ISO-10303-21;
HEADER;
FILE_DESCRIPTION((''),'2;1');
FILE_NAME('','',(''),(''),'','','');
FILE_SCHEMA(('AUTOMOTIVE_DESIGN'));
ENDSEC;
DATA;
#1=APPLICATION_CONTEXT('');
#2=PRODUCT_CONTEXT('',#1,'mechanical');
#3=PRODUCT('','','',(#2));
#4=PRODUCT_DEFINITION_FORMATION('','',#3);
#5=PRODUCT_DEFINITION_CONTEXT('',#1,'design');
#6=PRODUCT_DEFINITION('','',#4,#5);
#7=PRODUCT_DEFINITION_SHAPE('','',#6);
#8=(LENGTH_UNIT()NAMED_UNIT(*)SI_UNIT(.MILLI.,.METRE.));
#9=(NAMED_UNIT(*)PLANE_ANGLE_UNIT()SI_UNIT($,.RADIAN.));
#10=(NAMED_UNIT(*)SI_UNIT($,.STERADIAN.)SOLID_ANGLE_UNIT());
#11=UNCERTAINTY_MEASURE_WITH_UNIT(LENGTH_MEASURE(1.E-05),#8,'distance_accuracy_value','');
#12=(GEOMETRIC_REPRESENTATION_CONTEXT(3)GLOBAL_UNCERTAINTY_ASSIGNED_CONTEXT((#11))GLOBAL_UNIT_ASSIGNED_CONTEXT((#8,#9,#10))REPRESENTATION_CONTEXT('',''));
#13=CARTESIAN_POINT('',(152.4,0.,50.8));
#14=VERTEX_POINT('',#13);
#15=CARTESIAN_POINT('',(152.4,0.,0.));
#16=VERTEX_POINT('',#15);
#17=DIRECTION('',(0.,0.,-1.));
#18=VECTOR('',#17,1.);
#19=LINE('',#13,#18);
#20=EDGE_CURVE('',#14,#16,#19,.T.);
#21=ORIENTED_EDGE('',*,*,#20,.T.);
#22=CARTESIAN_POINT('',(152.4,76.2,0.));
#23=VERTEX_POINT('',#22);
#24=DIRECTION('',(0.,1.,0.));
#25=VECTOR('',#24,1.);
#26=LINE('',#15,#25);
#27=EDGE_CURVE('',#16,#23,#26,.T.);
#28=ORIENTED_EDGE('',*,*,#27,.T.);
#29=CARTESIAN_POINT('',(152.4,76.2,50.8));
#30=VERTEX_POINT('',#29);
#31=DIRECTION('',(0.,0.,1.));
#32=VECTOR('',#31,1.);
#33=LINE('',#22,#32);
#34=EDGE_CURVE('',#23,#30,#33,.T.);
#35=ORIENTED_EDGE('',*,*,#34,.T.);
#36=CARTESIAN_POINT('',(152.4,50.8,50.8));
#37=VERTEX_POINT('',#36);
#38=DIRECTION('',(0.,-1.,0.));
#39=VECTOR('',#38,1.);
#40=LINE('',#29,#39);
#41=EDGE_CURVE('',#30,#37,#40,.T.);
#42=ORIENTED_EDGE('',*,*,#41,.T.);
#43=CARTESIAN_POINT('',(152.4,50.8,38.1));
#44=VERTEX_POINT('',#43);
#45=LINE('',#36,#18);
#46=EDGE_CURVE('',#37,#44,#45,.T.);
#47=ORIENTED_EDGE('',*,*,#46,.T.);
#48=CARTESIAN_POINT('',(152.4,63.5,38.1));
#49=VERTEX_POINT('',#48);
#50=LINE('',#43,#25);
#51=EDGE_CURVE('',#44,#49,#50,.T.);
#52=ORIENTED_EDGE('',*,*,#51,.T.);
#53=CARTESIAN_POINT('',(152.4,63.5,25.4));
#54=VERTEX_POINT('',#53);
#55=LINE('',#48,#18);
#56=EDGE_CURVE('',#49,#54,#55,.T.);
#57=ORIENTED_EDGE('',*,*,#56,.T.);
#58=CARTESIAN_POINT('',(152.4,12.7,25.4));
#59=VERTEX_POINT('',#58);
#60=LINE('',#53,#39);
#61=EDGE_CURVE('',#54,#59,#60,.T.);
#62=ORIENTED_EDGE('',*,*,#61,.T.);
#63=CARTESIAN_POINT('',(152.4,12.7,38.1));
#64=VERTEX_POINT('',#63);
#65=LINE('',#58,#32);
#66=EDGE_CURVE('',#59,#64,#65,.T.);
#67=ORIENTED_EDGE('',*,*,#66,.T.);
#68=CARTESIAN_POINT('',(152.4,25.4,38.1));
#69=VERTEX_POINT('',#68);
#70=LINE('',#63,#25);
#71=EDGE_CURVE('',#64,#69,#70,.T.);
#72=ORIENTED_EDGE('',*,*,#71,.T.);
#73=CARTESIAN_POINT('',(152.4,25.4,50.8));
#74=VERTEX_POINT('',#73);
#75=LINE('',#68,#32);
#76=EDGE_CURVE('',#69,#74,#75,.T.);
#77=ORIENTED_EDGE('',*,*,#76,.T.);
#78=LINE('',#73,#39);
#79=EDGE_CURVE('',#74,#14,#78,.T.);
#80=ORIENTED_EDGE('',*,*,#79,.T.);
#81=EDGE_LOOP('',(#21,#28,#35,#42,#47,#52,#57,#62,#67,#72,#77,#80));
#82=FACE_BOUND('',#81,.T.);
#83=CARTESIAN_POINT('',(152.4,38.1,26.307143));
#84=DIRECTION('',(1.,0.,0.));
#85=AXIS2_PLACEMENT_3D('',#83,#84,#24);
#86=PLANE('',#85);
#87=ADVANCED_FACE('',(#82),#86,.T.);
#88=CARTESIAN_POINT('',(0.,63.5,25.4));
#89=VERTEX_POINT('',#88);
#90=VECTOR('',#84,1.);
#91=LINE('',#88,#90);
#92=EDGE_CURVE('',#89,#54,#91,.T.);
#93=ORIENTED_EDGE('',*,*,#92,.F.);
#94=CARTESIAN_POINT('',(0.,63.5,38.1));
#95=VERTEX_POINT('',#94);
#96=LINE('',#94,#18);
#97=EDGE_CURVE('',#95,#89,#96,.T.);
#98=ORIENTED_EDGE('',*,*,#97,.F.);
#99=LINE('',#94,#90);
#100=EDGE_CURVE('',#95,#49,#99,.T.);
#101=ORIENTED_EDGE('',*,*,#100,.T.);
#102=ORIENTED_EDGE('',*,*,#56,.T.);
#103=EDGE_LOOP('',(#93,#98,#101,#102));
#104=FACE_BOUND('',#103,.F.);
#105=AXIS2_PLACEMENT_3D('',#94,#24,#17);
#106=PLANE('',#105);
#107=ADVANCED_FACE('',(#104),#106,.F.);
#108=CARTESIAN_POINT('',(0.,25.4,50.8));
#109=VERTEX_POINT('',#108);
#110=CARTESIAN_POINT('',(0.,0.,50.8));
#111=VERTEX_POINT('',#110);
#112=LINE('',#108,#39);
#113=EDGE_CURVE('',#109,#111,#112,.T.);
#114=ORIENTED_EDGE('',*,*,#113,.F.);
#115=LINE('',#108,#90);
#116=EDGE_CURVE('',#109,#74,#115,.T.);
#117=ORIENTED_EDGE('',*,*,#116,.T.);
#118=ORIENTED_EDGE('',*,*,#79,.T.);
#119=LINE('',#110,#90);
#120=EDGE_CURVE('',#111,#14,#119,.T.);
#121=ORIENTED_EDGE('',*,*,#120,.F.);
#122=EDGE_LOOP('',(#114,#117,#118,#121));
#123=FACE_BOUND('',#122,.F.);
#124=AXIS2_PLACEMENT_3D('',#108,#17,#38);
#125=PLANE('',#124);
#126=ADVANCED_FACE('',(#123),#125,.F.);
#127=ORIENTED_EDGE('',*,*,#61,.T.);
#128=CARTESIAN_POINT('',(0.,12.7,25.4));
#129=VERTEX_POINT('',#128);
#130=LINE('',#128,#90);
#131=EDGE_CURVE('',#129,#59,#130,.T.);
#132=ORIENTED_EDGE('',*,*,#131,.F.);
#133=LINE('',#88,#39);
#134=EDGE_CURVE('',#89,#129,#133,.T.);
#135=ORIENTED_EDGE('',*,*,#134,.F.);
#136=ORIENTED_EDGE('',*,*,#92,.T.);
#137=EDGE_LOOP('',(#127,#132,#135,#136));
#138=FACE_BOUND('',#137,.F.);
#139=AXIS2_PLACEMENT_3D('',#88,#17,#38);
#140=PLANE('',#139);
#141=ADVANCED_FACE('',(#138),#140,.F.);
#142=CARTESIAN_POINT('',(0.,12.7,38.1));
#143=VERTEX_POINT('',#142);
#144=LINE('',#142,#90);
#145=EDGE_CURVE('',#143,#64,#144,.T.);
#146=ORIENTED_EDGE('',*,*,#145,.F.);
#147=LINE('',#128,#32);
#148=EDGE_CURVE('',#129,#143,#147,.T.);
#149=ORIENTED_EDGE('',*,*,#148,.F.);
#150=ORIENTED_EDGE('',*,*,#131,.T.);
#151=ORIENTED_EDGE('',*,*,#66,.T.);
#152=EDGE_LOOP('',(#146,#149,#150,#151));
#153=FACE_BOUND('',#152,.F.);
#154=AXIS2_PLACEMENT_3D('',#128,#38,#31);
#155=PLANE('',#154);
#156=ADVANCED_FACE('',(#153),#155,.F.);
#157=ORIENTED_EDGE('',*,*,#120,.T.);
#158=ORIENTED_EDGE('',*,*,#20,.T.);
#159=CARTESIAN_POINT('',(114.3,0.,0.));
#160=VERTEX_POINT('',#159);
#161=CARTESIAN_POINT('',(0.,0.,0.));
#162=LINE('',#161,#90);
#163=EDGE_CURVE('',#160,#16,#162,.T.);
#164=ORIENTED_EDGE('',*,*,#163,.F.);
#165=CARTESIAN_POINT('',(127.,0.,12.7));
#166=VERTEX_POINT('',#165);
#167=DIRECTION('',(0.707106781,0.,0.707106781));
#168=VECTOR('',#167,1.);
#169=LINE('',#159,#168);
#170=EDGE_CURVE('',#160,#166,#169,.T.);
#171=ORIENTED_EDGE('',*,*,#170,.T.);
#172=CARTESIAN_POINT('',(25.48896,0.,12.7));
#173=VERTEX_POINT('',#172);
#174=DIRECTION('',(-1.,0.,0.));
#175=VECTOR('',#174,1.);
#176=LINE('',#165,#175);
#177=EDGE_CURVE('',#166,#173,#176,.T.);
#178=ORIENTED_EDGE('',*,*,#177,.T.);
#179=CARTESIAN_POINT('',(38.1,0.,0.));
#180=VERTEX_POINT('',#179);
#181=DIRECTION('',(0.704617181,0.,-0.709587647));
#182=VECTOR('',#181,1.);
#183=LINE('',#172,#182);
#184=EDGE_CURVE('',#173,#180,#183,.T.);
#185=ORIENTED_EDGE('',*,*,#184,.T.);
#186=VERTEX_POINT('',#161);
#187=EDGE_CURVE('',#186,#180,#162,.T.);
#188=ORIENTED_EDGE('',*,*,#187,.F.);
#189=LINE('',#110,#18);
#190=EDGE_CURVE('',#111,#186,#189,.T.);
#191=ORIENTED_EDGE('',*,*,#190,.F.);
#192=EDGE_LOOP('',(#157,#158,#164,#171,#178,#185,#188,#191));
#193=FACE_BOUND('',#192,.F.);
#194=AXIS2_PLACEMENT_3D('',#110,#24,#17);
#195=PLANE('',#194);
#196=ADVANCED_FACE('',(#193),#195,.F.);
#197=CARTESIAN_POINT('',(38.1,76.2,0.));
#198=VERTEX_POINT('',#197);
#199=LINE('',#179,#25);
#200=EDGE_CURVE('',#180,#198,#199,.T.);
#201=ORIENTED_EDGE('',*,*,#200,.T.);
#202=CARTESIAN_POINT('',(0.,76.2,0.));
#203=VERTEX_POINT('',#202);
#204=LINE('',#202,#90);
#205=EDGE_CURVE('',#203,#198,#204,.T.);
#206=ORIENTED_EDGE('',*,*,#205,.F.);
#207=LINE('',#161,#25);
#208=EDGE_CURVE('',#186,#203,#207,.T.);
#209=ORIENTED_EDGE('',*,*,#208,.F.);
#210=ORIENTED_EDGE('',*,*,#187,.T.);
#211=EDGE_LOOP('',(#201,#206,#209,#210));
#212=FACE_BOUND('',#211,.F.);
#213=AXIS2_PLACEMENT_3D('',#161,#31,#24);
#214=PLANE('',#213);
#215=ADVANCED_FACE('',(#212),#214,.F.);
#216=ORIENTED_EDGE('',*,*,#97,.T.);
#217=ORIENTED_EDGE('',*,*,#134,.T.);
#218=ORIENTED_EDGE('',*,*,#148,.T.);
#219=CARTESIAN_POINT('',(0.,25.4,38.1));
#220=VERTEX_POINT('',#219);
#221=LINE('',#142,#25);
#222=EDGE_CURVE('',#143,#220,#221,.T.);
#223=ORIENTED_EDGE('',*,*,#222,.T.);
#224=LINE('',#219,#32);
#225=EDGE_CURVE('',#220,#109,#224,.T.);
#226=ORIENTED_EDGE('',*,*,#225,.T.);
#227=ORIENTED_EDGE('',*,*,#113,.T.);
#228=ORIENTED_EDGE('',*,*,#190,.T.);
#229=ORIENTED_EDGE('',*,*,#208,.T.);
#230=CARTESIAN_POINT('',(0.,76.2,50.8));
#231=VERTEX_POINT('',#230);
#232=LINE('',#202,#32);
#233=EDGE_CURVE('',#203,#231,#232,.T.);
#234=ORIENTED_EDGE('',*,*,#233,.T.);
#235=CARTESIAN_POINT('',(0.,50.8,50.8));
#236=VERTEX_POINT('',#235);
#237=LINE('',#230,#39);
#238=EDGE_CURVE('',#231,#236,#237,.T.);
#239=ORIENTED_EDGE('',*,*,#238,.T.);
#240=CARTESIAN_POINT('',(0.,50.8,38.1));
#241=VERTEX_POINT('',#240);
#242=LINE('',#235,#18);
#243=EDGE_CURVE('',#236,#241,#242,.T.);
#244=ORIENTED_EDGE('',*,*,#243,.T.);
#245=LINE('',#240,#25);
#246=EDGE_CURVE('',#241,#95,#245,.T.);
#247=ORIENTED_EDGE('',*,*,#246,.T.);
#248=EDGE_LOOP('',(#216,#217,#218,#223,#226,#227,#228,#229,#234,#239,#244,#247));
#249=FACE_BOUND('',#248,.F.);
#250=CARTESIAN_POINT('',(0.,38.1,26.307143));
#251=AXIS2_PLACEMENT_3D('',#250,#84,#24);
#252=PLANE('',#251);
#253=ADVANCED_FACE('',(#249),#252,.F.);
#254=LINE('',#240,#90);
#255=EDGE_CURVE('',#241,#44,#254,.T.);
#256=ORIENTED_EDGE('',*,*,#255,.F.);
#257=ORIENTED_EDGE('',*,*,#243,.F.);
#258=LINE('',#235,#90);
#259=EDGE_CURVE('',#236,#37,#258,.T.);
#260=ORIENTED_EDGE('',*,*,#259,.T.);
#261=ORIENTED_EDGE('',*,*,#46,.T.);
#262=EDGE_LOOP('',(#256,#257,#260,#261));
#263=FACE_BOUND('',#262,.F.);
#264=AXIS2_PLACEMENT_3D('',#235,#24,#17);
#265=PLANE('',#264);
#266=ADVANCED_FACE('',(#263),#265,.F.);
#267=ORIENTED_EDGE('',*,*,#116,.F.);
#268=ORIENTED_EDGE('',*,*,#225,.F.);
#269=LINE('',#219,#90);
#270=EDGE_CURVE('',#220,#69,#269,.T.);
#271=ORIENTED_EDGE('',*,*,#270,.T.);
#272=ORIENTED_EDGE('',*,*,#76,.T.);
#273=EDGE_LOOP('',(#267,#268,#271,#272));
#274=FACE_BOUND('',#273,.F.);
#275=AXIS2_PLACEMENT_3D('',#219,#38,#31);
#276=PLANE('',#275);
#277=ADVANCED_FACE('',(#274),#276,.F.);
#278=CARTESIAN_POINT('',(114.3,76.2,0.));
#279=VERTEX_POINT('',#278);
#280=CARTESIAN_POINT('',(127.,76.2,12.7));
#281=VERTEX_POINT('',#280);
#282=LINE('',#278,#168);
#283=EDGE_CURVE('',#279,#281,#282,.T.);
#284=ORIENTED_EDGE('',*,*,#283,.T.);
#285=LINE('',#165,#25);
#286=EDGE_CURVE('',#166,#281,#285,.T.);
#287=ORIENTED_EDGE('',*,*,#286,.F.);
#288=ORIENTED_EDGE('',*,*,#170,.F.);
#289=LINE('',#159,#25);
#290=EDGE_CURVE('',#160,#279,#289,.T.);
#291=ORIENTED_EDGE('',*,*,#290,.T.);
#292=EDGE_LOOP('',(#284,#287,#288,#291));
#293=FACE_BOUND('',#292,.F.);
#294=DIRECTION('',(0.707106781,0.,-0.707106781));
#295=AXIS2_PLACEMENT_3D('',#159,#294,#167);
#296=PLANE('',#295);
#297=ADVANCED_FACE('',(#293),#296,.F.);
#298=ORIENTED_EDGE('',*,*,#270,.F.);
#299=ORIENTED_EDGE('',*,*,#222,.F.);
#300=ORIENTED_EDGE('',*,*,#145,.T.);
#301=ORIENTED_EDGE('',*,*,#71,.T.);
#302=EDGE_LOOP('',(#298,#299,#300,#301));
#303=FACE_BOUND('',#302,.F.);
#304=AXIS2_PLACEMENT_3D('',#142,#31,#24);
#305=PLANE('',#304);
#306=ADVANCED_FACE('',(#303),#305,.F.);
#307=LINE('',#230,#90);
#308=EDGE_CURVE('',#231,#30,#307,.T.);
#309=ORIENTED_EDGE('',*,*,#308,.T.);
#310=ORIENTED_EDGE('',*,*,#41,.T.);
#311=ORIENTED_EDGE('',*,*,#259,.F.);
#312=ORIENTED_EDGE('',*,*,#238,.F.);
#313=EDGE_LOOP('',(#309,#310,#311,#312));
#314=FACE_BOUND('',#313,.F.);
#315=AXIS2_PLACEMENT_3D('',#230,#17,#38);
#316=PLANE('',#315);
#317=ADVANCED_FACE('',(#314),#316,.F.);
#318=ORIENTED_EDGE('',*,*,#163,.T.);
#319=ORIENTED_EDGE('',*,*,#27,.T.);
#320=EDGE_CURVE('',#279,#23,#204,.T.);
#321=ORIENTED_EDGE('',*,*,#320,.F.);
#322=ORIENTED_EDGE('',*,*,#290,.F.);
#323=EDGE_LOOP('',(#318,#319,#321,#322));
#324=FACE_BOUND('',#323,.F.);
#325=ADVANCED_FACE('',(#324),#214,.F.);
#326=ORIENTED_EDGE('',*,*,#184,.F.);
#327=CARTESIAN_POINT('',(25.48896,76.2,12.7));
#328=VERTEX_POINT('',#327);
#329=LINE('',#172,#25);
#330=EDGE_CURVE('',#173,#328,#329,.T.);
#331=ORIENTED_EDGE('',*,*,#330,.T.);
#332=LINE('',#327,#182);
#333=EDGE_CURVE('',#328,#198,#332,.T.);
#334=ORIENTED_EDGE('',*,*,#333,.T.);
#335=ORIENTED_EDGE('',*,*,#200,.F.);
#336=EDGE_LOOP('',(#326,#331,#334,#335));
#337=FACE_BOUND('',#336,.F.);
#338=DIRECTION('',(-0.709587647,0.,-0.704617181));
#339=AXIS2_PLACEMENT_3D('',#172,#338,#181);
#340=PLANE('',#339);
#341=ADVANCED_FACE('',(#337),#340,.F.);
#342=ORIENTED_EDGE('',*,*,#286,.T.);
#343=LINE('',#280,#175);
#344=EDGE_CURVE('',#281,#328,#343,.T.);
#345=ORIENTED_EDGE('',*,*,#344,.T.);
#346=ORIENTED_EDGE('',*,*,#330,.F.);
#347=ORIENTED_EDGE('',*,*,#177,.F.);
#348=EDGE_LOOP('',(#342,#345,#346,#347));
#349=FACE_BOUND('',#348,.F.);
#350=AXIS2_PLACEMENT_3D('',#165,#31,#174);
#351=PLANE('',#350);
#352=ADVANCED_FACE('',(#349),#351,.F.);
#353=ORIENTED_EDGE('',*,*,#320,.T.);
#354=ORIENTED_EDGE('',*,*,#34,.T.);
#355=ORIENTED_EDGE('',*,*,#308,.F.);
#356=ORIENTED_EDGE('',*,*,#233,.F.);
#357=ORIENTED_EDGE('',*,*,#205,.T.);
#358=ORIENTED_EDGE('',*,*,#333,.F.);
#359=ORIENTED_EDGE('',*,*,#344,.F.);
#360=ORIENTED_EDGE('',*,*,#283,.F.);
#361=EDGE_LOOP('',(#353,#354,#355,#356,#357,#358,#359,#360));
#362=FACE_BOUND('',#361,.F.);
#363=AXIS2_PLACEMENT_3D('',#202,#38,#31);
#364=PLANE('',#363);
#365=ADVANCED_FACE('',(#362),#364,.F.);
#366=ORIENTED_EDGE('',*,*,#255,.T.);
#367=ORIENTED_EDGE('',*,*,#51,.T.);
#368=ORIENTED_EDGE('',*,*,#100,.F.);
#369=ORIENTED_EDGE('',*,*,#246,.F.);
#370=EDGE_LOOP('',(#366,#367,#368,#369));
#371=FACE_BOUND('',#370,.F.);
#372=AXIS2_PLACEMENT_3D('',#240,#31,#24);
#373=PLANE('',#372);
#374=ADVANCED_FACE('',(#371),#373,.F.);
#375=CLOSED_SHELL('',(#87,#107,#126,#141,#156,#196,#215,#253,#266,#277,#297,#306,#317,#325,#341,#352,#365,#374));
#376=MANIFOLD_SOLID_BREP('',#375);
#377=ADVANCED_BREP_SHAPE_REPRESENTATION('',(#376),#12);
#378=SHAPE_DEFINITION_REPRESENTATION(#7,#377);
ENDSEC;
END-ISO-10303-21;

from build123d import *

# Parameters (mm, degrees)
F1_DEPTH = 152.4
F3_DEPTH = 76.2


with BuildPart() as f1:
    # F0 (on Right) → F1 (new body)
    with BuildSketch(Plane.YZ):
        Polygon((25.4, 50.8), (0, 50.8), (0, 0), (76.2, 0), (76.2, 50.8), (50.8, 50.8), (50.8, 38.1), (63.5, 38.1), (63.5, 25.4), (12.7, 25.4), (12.7, 38.1), (25.4, 38.1), align=None)
    extrude(amount=F1_DEPTH)

    # F2 (on face) → F3 (cut, through all)
    with BuildSketch(Plane.XZ):
        Polygon((114.3, 0), (127, 12.7), (25.48896, 12.7), (38.1, 0), align=None)
    extrude(amount=-F3_DEPTH, mode=Mode.SUBTRACT)


solid = f1.part
